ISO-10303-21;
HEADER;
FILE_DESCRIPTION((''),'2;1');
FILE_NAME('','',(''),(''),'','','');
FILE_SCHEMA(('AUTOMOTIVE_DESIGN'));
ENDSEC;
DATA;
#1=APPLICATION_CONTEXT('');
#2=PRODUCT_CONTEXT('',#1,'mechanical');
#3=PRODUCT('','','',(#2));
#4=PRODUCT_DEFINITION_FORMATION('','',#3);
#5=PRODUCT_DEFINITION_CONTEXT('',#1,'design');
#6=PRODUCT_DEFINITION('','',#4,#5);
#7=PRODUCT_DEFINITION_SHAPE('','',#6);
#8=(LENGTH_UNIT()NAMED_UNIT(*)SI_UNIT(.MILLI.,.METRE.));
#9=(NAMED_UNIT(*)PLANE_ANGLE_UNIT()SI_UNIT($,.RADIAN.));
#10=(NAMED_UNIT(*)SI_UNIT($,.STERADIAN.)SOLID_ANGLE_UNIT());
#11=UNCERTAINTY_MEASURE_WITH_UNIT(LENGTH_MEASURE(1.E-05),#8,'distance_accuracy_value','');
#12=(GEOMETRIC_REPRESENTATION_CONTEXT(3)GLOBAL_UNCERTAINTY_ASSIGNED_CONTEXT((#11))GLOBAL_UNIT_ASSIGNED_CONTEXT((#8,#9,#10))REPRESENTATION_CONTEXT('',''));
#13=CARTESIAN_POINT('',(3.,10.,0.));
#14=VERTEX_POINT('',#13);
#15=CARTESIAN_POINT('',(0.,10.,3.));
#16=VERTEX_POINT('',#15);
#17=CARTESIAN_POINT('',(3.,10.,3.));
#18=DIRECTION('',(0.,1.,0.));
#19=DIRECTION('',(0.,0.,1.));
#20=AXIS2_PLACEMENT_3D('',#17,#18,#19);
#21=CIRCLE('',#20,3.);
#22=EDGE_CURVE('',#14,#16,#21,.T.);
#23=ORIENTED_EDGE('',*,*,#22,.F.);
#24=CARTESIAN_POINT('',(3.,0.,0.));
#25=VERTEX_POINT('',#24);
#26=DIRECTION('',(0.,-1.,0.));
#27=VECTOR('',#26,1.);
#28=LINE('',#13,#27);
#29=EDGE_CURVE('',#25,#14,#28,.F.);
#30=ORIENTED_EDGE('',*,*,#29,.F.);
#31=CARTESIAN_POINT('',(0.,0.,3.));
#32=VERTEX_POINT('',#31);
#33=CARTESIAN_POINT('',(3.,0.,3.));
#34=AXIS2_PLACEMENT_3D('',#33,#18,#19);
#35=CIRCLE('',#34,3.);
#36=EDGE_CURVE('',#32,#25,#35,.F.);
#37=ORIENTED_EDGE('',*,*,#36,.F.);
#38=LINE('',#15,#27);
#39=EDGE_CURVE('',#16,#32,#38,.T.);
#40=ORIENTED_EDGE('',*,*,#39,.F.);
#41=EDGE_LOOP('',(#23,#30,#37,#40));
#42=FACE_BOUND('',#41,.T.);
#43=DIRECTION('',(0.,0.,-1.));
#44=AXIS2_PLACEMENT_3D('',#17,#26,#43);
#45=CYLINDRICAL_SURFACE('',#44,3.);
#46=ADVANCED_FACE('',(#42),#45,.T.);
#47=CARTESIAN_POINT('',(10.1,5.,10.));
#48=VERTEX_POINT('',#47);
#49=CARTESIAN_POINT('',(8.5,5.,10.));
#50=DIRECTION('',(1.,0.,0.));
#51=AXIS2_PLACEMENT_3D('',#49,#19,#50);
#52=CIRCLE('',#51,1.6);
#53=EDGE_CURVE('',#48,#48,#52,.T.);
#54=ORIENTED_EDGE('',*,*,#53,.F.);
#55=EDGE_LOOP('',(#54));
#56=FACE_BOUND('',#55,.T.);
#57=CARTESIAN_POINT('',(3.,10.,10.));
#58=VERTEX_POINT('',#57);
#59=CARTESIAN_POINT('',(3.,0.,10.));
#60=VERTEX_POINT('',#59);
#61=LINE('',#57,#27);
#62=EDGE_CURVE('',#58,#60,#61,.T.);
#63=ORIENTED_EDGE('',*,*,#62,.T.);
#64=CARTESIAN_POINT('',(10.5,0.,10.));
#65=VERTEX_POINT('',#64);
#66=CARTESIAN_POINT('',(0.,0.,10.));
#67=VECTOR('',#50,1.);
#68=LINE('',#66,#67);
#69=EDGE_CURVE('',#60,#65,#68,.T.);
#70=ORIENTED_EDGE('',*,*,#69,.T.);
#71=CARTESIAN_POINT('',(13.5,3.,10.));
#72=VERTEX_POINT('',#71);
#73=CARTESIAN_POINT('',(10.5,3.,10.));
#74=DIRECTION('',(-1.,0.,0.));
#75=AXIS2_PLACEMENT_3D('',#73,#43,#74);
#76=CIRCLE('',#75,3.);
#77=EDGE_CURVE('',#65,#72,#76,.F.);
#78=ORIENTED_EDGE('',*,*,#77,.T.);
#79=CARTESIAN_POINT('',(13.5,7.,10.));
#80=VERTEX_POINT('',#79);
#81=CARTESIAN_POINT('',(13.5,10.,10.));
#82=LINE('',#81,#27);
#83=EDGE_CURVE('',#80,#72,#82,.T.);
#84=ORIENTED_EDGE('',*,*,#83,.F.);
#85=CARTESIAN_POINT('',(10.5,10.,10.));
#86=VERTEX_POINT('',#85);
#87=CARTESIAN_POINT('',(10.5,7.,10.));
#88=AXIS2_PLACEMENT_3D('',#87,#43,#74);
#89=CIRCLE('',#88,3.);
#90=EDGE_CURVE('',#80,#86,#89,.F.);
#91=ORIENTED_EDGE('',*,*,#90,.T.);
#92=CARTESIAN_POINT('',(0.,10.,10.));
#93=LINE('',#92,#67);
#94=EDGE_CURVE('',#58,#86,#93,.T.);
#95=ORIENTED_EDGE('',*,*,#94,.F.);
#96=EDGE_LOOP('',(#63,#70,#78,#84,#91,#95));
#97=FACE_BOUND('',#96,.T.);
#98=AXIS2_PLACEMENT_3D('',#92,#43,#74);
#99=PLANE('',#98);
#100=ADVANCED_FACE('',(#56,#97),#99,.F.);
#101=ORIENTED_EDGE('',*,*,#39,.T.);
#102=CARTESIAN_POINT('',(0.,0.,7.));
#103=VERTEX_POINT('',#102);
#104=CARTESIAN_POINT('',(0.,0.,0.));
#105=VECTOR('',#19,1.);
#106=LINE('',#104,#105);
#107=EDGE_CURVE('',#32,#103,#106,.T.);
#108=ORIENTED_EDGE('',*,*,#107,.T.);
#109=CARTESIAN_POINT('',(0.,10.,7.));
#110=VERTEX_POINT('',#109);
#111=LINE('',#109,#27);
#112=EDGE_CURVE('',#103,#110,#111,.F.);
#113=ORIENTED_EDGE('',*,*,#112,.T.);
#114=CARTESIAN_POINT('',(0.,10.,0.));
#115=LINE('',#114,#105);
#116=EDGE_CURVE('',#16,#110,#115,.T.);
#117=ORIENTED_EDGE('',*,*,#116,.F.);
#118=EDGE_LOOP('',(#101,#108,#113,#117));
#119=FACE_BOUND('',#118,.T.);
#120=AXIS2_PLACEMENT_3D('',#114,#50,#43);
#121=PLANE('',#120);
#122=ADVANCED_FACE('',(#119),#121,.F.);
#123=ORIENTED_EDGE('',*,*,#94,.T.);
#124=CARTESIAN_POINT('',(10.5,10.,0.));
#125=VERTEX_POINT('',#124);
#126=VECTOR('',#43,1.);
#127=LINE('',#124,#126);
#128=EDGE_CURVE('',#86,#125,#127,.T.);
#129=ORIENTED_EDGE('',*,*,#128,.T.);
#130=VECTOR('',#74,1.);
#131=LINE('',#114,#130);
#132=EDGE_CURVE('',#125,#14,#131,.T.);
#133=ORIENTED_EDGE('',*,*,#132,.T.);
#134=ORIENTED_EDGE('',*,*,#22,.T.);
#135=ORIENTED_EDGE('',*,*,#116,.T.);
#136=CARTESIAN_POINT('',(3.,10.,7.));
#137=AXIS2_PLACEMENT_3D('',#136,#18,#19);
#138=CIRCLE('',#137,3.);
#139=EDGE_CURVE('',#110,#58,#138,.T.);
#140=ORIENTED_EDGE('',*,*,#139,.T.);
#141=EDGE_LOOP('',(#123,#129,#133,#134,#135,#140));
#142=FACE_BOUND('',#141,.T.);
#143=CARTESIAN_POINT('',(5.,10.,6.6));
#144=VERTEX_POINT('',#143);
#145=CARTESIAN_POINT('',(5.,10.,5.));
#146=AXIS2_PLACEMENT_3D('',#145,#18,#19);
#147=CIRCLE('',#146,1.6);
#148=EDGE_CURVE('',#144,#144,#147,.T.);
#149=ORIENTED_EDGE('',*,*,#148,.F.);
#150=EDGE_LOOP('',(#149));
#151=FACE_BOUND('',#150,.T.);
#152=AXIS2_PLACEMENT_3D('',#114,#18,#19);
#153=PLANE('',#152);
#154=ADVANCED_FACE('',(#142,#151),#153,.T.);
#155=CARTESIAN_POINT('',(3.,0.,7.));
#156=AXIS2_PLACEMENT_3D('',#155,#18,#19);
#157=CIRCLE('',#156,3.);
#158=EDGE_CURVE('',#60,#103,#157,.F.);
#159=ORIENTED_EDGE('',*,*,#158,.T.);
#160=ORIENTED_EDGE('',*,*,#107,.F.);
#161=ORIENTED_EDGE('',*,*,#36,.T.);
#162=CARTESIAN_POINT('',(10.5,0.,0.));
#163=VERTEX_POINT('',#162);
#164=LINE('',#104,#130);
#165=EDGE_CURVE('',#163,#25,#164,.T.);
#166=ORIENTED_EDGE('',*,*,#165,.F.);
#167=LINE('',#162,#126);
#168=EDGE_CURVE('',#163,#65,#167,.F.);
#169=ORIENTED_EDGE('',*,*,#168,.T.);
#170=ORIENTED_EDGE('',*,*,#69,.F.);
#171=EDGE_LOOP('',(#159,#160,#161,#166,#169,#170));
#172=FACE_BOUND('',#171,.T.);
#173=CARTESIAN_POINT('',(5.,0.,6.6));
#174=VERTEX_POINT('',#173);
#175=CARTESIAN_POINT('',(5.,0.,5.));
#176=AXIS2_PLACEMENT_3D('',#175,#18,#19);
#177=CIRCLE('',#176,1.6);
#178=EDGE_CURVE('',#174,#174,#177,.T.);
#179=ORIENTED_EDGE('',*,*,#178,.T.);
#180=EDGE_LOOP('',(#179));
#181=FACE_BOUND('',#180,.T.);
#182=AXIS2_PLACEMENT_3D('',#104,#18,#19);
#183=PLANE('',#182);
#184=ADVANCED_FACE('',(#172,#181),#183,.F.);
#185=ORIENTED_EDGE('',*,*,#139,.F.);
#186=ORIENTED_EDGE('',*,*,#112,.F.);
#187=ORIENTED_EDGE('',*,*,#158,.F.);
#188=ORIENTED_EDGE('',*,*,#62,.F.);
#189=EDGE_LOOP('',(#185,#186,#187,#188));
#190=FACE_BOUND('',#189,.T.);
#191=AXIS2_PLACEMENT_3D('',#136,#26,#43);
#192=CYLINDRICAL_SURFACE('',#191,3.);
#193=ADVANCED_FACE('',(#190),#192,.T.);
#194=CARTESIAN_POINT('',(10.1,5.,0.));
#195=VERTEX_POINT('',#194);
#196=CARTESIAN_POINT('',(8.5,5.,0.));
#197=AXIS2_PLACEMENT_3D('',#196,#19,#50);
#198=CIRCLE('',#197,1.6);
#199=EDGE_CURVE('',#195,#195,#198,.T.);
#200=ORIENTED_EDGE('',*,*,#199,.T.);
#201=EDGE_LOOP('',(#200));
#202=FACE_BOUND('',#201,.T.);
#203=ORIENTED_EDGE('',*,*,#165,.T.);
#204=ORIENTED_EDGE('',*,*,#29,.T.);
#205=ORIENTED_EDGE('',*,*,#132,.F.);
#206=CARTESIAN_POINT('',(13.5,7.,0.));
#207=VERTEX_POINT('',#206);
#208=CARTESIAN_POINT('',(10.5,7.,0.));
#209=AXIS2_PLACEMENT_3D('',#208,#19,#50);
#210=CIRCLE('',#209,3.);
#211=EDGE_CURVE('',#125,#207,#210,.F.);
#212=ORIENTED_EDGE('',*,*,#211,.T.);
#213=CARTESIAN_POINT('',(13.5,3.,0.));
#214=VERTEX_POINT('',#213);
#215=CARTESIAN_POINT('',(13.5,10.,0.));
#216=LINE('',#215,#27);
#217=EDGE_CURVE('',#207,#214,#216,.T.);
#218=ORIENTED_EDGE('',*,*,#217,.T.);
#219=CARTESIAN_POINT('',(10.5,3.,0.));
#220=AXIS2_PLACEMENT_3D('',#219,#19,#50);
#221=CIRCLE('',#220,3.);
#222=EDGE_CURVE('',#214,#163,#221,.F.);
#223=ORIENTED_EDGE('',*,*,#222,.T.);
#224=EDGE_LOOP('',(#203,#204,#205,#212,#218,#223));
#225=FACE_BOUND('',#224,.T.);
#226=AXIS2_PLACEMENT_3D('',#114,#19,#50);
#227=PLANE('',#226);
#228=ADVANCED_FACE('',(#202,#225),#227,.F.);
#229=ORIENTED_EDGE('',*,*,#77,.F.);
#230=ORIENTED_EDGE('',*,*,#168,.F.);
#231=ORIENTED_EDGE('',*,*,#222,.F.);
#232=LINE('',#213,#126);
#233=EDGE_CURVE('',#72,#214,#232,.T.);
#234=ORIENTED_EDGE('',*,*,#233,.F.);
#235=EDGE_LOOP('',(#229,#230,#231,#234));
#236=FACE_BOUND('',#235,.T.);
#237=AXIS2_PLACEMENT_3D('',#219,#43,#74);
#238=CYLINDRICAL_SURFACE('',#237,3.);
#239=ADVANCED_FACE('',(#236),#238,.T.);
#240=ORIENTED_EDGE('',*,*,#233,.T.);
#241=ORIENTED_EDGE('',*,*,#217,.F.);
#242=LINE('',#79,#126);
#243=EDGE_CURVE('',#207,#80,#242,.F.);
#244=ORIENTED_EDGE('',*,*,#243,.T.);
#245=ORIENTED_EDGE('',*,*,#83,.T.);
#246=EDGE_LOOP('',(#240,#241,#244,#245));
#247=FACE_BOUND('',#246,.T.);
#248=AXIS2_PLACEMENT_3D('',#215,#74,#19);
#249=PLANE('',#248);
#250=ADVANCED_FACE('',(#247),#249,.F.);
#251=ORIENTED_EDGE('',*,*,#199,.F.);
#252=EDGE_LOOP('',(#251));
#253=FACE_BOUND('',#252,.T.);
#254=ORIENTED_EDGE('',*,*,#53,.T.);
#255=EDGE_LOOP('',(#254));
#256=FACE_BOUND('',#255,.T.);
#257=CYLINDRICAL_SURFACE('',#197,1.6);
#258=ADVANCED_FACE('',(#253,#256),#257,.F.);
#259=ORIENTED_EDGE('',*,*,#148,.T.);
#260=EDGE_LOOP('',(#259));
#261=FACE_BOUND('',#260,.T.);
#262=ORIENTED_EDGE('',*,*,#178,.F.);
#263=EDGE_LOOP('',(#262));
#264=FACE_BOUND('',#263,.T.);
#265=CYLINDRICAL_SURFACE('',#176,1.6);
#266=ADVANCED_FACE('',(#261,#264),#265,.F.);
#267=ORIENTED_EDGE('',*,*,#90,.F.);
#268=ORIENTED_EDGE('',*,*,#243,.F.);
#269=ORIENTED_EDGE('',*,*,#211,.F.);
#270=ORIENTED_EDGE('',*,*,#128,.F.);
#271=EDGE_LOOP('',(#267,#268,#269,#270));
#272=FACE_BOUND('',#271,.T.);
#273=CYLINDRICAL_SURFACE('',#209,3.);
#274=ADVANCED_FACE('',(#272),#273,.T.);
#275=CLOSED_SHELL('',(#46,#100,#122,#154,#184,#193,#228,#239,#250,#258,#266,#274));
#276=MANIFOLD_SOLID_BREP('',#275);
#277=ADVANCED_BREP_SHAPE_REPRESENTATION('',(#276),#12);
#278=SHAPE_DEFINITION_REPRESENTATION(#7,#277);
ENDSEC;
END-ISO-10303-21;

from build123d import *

# Parameters (mm, degrees)
SKETCH1_W           = 13.5
SKETCH1_H           = 10
BOSS_EXTRUDE1_DEPTH = 10
SKETCH2_R           = 1.6
CUT_EXTRUDE1_DEPTH  = 20.551214796
SKETCH3_R           = 1.6
CUT_EXTRUDE2_DEPTH  = 20.551214796
FILLET1_R           = 3


with BuildPart() as part:
    # Sketch1 → Boss-Extrude1 (new body)
    with BuildSketch(Plane(origin=(0, 0, 0), x_dir=(1, 0, 0), z_dir=(0, 1, 0))):
        with Locations((6.75, -5)):
            Rectangle(SKETCH1_W, SKETCH1_H)
    extrude(amount=BOSS_EXTRUDE1_DEPTH)

    # Sketch2 → Cut-Extrude1 (cut, through all)
    with BuildSketch(Plane.XY.offset(10)):
        with Locations((8.5, 5)):
            Circle(SKETCH2_R)
    extrude(amount=-CUT_EXTRUDE1_DEPTH, mode=Mode.SUBTRACT)

    # Sketch3 → Cut-Extrude2 (cut, through all)
    with BuildSketch(Plane(origin=(0, 10, 0), x_dir=(1, 0, 0), z_dir=(0, 1, 0))):
        with Locations(Location((5, -5, 0), (0, 0, 270))):
            Circle(SKETCH3_R)
    extrude(amount=-CUT_EXTRUDE2_DEPTH, mode=Mode.SUBTRACT)

    # Fillet1
    fillet1_edges = [part.edges().sort_by_distance(p)[0] for p in [
        (13.5, 10, 5),
        (13.5, 0, 5),
        (0, 5, 0),
        (0, 5, 10),
    ]]
    fillet(fillet1_edges, radius=FILLET1_R)


solid = part.part
